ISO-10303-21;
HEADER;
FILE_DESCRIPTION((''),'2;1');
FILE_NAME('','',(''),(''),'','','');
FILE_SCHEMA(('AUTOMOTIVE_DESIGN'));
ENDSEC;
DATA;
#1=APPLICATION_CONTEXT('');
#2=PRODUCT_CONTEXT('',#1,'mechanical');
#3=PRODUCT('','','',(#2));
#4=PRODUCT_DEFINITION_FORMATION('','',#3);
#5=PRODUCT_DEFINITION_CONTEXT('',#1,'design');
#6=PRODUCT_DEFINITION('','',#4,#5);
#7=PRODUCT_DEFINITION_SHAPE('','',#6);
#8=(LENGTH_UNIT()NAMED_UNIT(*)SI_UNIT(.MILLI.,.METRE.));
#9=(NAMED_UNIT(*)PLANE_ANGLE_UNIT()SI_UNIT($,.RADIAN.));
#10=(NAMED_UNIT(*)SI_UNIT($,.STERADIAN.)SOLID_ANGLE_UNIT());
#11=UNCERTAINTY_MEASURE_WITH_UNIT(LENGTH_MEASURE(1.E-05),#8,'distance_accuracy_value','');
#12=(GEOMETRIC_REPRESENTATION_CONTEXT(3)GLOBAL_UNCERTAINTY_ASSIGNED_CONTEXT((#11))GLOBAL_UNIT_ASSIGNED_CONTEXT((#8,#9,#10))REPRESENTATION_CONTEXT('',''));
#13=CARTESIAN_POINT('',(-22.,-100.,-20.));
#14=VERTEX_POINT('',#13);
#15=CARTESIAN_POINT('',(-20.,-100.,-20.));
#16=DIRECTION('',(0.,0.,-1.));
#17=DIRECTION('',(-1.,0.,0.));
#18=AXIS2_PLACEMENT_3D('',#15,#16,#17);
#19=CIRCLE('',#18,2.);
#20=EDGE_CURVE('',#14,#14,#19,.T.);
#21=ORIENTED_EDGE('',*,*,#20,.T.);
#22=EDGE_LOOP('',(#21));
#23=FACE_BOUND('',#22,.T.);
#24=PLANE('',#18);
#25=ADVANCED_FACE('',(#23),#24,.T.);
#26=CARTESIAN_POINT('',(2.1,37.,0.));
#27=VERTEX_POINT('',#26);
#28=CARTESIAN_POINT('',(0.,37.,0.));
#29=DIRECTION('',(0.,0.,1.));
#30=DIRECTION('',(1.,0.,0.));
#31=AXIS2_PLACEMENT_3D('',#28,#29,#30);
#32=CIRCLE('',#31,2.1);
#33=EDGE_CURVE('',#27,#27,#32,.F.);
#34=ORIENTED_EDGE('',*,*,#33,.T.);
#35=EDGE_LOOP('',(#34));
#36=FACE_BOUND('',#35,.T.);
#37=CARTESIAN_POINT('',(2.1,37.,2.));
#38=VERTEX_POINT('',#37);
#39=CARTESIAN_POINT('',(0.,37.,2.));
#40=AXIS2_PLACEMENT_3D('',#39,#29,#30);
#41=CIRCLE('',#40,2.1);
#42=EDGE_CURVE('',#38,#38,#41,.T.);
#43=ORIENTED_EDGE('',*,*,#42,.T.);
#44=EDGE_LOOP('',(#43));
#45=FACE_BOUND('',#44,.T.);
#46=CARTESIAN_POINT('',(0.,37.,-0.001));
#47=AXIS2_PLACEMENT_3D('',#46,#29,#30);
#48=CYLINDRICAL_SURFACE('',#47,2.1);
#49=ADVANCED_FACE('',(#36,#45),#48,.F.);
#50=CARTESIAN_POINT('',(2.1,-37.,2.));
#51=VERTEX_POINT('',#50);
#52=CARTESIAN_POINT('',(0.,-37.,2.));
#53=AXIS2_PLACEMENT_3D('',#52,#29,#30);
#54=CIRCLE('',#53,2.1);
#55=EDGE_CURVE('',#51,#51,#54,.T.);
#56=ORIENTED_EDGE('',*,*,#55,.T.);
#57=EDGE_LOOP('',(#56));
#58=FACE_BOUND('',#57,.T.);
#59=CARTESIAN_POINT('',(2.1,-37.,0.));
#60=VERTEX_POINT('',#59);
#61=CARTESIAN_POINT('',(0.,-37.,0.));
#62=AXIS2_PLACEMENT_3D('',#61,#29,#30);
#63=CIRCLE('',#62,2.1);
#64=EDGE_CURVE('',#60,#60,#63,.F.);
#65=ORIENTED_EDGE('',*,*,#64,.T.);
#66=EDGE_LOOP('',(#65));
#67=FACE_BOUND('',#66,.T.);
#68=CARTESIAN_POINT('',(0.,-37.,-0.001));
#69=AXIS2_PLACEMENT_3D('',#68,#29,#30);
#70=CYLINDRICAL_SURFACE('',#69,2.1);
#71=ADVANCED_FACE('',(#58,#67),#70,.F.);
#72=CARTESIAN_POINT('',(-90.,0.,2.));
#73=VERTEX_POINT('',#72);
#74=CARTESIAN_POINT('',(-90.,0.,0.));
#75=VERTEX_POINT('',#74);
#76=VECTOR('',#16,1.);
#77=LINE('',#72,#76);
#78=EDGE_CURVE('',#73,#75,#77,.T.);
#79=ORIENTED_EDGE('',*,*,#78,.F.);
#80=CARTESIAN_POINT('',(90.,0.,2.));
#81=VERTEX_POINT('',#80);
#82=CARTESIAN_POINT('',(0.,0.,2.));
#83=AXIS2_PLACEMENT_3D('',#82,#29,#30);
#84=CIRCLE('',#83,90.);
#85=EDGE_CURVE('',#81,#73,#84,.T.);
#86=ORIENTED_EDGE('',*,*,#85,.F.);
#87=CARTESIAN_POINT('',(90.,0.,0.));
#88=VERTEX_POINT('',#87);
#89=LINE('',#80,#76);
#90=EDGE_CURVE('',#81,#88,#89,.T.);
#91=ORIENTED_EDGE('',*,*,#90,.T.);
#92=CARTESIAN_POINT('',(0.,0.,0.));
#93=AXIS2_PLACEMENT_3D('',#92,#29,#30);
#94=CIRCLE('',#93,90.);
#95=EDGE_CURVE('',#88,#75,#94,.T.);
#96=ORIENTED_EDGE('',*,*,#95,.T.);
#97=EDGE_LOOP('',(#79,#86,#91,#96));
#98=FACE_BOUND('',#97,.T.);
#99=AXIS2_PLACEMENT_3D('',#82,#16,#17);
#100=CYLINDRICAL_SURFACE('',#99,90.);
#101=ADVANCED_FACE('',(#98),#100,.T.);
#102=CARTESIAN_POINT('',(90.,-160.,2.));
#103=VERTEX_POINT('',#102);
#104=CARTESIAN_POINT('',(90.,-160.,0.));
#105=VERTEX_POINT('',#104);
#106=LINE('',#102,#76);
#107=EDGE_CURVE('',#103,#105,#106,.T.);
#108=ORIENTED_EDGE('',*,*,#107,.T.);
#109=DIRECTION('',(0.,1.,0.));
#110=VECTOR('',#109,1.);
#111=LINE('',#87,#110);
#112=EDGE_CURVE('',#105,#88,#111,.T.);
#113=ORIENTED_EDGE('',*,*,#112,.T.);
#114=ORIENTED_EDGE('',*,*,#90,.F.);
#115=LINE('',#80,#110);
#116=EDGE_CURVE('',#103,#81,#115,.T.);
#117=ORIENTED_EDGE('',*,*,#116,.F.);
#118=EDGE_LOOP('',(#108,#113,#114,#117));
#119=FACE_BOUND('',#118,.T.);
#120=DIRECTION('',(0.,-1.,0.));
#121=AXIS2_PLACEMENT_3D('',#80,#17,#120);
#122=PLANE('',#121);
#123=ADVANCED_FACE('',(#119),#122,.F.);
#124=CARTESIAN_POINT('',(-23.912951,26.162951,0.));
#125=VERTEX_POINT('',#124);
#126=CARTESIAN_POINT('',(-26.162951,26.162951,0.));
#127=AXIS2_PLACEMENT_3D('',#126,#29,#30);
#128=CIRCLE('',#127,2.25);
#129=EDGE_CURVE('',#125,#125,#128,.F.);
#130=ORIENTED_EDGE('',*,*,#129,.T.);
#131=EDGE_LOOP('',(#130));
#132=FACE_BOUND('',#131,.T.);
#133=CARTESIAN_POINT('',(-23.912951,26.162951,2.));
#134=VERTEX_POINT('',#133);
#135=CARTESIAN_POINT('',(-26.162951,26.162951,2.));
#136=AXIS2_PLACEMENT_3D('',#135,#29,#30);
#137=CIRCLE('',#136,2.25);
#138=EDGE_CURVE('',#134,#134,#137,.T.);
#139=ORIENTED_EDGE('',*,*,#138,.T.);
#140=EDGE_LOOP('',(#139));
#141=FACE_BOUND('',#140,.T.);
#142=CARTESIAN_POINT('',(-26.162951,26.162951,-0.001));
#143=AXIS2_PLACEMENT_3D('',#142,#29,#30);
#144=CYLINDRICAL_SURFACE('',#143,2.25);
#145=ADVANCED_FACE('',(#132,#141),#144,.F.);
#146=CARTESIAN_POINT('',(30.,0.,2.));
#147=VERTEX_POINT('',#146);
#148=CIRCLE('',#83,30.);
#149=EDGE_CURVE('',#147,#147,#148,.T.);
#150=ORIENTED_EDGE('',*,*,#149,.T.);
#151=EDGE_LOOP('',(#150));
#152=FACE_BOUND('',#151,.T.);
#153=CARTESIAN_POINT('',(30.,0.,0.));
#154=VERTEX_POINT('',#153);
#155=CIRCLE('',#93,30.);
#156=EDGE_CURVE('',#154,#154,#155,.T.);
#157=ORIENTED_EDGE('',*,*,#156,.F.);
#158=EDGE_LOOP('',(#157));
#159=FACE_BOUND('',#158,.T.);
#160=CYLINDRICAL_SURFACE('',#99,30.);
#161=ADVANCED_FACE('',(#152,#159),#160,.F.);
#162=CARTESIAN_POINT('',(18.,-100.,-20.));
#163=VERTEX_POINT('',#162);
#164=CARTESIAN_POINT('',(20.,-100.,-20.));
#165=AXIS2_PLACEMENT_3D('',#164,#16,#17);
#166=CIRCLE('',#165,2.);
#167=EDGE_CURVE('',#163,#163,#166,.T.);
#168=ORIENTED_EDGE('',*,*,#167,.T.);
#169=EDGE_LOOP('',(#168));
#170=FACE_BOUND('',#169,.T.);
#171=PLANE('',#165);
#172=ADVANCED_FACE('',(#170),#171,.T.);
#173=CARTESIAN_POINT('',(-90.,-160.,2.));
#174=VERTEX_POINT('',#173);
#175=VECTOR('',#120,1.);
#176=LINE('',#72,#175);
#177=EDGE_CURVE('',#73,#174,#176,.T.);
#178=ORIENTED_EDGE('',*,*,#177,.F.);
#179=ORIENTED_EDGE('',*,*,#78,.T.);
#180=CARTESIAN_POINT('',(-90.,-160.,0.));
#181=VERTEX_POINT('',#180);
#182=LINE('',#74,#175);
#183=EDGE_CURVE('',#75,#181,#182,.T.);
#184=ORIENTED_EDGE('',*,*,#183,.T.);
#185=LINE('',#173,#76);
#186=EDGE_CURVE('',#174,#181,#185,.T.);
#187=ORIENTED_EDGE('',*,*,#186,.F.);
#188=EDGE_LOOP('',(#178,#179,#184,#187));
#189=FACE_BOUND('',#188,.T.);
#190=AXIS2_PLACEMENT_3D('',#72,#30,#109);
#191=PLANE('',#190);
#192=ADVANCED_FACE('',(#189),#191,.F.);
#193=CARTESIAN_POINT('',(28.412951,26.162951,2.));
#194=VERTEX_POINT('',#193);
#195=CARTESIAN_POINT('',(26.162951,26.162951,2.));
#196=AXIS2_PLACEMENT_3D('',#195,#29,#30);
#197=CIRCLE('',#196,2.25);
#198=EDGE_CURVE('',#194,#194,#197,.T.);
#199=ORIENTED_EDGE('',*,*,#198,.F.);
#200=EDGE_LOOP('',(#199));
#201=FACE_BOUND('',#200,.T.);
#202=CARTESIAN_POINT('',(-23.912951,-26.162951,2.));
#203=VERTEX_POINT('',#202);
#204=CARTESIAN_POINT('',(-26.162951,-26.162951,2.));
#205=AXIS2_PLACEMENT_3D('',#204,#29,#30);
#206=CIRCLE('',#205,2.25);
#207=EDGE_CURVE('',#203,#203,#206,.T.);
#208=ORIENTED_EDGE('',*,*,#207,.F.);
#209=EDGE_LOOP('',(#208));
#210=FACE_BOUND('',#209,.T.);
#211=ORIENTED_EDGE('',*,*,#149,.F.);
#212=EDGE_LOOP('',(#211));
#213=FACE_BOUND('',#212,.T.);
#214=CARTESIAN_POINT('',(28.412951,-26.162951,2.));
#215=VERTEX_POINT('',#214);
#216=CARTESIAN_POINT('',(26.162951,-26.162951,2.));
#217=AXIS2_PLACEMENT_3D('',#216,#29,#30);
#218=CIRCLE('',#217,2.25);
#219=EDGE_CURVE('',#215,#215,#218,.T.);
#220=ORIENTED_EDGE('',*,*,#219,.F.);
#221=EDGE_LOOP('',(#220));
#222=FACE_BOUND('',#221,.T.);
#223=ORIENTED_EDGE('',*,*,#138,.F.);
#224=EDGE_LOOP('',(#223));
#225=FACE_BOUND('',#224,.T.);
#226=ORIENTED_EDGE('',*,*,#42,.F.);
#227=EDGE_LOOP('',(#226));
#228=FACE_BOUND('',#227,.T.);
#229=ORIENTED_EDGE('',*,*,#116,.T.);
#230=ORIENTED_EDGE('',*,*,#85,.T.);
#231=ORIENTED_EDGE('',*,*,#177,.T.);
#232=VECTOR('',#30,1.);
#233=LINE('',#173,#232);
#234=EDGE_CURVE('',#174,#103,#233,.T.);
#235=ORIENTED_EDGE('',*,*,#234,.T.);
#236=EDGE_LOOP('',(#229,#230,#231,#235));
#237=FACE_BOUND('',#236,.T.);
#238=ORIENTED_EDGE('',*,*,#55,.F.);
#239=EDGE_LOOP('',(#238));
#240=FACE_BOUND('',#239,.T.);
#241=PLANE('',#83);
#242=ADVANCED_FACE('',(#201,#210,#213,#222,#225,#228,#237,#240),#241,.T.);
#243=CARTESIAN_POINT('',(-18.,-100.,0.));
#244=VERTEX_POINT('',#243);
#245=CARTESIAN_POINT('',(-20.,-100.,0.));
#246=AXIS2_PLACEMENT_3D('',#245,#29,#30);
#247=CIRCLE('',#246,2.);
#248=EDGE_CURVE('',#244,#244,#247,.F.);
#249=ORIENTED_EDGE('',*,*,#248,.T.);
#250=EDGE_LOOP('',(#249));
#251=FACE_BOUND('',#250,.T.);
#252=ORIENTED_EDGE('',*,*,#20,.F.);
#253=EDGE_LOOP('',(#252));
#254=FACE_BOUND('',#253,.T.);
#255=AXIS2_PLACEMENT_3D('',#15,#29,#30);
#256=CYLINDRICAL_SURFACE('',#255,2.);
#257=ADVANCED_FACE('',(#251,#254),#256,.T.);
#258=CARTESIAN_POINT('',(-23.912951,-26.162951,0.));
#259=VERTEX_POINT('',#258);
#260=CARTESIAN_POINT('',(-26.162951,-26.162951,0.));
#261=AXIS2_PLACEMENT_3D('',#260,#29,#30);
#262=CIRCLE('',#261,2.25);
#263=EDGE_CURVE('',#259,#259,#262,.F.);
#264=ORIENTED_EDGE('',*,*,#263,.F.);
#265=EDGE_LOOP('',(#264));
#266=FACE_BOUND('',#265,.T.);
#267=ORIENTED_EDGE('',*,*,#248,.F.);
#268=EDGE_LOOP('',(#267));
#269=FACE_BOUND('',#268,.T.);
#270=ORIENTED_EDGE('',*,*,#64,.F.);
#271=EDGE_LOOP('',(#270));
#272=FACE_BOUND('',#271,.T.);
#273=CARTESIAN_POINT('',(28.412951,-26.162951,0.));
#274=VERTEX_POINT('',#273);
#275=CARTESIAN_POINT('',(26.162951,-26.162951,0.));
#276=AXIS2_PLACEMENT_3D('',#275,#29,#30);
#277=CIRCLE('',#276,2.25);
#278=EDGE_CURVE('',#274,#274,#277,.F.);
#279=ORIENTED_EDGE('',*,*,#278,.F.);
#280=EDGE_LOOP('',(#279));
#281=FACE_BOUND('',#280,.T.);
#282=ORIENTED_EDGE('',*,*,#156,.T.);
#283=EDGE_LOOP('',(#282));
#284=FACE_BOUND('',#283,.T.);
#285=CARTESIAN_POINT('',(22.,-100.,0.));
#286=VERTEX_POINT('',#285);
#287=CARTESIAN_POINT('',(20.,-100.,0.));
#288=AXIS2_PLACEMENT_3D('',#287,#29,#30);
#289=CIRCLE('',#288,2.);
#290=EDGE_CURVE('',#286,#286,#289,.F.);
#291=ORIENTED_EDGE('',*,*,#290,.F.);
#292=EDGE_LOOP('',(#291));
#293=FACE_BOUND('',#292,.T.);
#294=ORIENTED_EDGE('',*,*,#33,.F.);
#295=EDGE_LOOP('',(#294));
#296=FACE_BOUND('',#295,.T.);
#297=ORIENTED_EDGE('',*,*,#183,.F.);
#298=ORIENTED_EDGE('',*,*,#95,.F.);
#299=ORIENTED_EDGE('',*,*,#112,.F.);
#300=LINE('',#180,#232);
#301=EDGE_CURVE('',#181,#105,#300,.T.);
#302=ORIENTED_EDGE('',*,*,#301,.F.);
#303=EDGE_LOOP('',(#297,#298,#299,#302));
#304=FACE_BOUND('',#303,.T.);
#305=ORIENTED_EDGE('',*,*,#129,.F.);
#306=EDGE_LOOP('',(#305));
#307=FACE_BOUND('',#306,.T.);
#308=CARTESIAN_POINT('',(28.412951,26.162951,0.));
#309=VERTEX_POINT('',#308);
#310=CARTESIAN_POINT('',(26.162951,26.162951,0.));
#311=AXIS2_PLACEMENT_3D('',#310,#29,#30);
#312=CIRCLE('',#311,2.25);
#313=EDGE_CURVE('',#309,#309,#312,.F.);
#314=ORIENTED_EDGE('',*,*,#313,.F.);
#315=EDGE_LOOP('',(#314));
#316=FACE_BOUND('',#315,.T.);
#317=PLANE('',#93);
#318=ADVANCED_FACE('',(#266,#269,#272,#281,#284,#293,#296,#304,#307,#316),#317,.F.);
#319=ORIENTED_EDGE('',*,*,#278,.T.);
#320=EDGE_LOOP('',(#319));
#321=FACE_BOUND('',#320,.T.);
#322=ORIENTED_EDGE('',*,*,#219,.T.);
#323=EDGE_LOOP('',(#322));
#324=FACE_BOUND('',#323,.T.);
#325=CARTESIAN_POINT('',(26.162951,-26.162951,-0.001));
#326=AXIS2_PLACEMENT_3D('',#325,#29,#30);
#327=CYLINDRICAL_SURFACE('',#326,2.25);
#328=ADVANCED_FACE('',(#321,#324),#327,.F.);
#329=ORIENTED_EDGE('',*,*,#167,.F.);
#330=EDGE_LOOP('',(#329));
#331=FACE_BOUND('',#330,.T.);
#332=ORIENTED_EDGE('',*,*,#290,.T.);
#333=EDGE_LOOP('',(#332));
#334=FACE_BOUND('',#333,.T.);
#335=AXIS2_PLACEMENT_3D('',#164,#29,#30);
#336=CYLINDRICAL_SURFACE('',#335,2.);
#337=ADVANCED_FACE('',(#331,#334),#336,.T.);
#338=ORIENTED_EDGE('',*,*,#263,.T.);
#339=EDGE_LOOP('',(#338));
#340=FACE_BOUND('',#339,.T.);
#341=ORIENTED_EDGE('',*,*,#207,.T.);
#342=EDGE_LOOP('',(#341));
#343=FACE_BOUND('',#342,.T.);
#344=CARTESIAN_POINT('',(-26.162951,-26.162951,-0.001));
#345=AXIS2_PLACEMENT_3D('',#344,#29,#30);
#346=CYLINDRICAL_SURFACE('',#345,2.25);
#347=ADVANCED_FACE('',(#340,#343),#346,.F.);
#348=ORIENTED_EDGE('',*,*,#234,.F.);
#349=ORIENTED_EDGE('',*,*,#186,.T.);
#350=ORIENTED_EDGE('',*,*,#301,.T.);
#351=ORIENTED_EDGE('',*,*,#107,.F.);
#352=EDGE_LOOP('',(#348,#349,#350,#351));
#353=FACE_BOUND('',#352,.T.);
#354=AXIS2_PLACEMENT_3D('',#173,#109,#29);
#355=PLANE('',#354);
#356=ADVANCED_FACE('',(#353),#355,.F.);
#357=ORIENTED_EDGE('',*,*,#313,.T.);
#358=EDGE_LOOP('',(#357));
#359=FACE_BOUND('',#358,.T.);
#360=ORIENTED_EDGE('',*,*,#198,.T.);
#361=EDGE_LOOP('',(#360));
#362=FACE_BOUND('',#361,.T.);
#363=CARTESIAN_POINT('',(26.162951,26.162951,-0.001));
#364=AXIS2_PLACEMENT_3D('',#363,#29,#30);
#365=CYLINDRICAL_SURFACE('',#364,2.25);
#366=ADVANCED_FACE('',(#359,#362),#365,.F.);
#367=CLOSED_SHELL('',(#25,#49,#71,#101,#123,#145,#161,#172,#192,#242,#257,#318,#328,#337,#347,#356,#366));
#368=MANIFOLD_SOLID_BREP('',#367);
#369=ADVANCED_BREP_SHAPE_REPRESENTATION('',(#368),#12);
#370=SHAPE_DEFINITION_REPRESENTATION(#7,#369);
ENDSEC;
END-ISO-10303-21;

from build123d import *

# Parameters (mm, degrees)
ESQUISSE1_R             = 30
BOSS_EXTRU_1_DEPTH      = 2
ENL_V_MAT_EXTRU_1_REACH = 185.586
ESQUISSE2_R             = 2.25
ESQUISSE2_R_2           = 2.1
ESQUISSE4_R             = 2
GOUJON_M4X20_DEPTH      = 20


with BuildPart() as part:
    # Esquisse1 → Boss.-Extru.1 (new body)
    with BuildSketch(Plane.XY):
        with BuildLine():
            Line((-90, -160), (90, -160))
            Line((90, -160), (90, 0))
            ThreePointArc((90, 0), (0, 90), (-90, 0))
            Line((-90, 0), (-90, -160))
        make_face()
        Circle(ESQUISSE1_R, mode=Mode.SUBTRACT)
    extrude(amount=BOSS_EXTRU_1_DEPTH)

    # Esquisse2 → Enlèv. mat.-Extru.1 (cut, up to next)
    with BuildSketch(Plane.XY.offset(2), mode=Mode.PRIVATE) as enl_v_mat_extru_1_sk1:
        with Locations((26.162950904, 26.162950904)):
            Circle(ESQUISSE2_R)
    enl_v_mat_extru_1_tool1 = extrude(enl_v_mat_extru_1_sk1.sketch, amount=-ENL_V_MAT_EXTRU_1_REACH, mode=Mode.PRIVATE) & part.part
    # Esquisse2 → Enlèv. mat.-Extru.1 (cut, up to next)
    with BuildSketch(Plane.XY.offset(2), mode=Mode.PRIVATE) as enl_v_mat_extru_1_sk2:
        with Locations((-26.162950904, -26.162950904)):
            Circle(ESQUISSE2_R)
    enl_v_mat_extru_1_tool2 = extrude(enl_v_mat_extru_1_sk2.sketch, amount=-ENL_V_MAT_EXTRU_1_REACH, mode=Mode.PRIVATE) & part.part
    # Esquisse2 → Enlèv. mat.-Extru.1 (cut, up to next)
    with BuildSketch(Plane.XY.offset(2), mode=Mode.PRIVATE) as enl_v_mat_extru_1_sk3:
        with Locations((-26.162950904, 26.162950904)):
            Circle(ESQUISSE2_R)
    enl_v_mat_extru_1_tool3 = extrude(enl_v_mat_extru_1_sk3.sketch, amount=-ENL_V_MAT_EXTRU_1_REACH, mode=Mode.PRIVATE) & part.part
    # Esquisse2 → Enlèv. mat.-Extru.1 (cut, up to next)
    with BuildSketch(Plane.XY.offset(2), mode=Mode.PRIVATE) as enl_v_mat_extru_1_sk4:
        with Locations((26.162950904, -26.162950904)):
            Circle(ESQUISSE2_R)
    enl_v_mat_extru_1_tool4 = extrude(enl_v_mat_extru_1_sk4.sketch, amount=-ENL_V_MAT_EXTRU_1_REACH, mode=Mode.PRIVATE) & part.part
    # Esquisse2 → Enlèv. mat.-Extru.1 (cut, up to next)
    with BuildSketch(Plane.XY.offset(2), mode=Mode.PRIVATE) as enl_v_mat_extru_1_sk5:
        with Locations((0, 37)):
            Circle(ESQUISSE2_R_2)
    enl_v_mat_extru_1_tool5 = extrude(enl_v_mat_extru_1_sk5.sketch, amount=-ENL_V_MAT_EXTRU_1_REACH, mode=Mode.PRIVATE) & part.part
    # Esquisse2 → Enlèv. mat.-Extru.1 (cut, up to next)
    with BuildSketch(Plane.XY.offset(2), mode=Mode.PRIVATE) as enl_v_mat_extru_1_sk6:
        with Locations((0, -37)):
            Circle(ESQUISSE2_R_2)
    enl_v_mat_extru_1_tool6 = extrude(enl_v_mat_extru_1_sk6.sketch, amount=-ENL_V_MAT_EXTRU_1_REACH, mode=Mode.PRIVATE) & part.part
    add(enl_v_mat_extru_1_tool1.solids().sort_by_distance((26.162951, 26.162951, 2))[0], mode=Mode.SUBTRACT)
    add(enl_v_mat_extru_1_tool2.solids().sort_by_distance((-26.162951, -26.162951, 2))[0], mode=Mode.SUBTRACT)
    add(enl_v_mat_extru_1_tool3.solids().sort_by_distance((-26.162951, 26.162951, 2))[0], mode=Mode.SUBTRACT)
    add(enl_v_mat_extru_1_tool4.solids().sort_by_distance((26.162951, -26.162951, 2))[0], mode=Mode.SUBTRACT)
    add(enl_v_mat_extru_1_tool5.solids().sort_by_distance((0, 37, 2))[0], mode=Mode.SUBTRACT)
    add(enl_v_mat_extru_1_tool6.solids().sort_by_distance((0, -37, 2))[0], mode=Mode.SUBTRACT)

    # Esquisse4 → Goujon M4x20 (add)
    with BuildSketch(Plane(origin=(0, 0, 0), x_dir=(-1, 0, 0), z_dir=(0, 0, -1))):
        with Locations((-20, -100)):
            Circle(ESQUISSE4_R)
        with Locations((20, -100)):
            Circle(ESQUISSE4_R)
    extrude(amount=GOUJON_M4X20_DEPTH)


solid = part.part
